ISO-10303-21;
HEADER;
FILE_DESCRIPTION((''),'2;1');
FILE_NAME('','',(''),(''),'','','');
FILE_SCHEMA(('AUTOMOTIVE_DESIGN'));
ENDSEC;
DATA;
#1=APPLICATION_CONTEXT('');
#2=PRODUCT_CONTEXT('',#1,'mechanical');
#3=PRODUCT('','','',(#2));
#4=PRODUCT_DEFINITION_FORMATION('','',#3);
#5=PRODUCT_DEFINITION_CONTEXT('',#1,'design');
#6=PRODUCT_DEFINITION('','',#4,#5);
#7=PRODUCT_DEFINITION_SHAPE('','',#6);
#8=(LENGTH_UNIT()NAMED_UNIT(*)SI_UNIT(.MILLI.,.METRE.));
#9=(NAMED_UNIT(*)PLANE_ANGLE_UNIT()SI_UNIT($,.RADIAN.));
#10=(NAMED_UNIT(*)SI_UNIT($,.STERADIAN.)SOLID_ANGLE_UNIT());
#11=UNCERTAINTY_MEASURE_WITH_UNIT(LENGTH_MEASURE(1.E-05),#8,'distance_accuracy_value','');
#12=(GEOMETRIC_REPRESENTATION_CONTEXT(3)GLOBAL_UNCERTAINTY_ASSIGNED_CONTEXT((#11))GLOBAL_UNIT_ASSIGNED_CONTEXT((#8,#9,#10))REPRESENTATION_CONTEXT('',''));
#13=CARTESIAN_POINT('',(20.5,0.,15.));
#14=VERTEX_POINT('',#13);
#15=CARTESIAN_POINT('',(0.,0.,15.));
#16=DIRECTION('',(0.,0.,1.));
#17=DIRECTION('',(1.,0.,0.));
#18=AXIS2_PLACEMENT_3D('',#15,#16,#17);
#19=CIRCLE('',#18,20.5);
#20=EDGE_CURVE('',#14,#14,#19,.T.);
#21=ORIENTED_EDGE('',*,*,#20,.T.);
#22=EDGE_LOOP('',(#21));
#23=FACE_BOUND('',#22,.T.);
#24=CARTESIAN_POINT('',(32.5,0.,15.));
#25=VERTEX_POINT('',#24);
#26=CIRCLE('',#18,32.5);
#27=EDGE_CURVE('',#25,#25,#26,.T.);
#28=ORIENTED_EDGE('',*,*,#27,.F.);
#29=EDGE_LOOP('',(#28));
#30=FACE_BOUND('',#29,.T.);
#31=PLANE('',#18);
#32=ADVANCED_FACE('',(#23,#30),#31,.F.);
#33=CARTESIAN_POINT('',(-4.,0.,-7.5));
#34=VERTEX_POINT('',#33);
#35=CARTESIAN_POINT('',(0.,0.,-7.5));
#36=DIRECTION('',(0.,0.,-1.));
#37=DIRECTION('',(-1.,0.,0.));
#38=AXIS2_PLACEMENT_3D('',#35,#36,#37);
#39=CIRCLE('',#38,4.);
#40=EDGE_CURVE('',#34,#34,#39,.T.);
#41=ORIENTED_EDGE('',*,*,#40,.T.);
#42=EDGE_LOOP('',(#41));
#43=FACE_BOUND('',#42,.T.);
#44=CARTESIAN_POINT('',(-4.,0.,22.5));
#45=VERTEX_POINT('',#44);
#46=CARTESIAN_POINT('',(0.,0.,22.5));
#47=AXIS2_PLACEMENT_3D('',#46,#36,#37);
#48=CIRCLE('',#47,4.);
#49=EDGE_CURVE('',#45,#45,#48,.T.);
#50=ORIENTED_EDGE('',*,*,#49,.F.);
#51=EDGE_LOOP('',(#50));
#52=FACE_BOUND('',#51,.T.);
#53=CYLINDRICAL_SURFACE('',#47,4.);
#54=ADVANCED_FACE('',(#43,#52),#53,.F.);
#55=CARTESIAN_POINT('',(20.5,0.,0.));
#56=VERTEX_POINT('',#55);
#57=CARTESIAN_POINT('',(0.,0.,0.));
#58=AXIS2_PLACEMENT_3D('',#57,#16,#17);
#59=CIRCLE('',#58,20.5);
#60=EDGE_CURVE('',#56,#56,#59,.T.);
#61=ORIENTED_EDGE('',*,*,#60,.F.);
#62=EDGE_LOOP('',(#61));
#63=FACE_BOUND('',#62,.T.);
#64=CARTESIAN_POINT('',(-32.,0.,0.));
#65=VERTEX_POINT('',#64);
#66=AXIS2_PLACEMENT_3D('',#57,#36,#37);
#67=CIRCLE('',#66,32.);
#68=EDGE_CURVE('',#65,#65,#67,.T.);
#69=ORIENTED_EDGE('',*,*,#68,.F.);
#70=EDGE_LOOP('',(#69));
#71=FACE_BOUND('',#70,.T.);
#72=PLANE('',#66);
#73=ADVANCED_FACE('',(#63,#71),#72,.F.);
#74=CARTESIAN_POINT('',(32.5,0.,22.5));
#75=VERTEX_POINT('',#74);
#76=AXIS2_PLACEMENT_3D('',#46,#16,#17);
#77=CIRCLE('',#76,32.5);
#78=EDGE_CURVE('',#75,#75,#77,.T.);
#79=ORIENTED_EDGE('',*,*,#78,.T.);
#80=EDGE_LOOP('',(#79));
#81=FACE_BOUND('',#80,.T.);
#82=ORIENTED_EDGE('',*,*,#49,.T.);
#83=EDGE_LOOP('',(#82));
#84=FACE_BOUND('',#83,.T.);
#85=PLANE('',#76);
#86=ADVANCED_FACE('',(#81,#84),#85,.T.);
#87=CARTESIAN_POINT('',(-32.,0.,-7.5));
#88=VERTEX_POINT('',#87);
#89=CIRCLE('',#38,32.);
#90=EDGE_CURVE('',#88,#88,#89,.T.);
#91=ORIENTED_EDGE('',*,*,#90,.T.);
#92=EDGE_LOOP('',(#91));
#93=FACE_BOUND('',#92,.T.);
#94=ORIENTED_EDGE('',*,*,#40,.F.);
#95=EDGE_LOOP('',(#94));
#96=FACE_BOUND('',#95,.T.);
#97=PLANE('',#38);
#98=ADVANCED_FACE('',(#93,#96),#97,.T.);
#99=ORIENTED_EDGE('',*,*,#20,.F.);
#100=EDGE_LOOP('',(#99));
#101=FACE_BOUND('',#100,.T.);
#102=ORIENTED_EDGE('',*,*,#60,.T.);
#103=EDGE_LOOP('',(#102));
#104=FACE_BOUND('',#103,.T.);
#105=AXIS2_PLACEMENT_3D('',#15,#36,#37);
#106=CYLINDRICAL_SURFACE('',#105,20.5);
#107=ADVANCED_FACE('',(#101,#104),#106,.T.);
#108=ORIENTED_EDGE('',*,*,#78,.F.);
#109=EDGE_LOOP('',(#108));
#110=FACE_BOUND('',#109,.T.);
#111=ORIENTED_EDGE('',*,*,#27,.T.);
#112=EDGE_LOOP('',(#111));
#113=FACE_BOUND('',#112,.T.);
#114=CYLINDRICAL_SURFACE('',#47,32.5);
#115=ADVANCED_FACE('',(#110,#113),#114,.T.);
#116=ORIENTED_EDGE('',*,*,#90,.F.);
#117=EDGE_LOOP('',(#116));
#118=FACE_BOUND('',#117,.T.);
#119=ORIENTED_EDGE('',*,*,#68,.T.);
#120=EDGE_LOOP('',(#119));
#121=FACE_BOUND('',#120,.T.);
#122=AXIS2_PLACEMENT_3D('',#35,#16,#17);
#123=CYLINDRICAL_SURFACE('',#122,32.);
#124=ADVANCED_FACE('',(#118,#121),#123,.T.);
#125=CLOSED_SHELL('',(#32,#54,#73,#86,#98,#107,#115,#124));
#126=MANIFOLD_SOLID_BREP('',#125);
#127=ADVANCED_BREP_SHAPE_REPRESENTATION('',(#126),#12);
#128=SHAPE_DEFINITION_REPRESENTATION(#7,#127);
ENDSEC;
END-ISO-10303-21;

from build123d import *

# Parameters (mm, degrees)
SKETCH1_R           = 20.5
BOSS_EXTRUDE1_DEPTH = 15
SKETCH2_R           = 32.5
BOSS_EXTRUDE2_DEPTH = 7.5
SKETCH3_R           = 32
BOSS_EXTRUDE3_DEPTH = 7.5
SKETCH4_R           = 4
CUT_EXTRUDE1_DEPTH  = 30


with BuildPart() as part:
    # Sketch1 → Boss-Extrude1 (new body)
    with BuildSketch(Plane.XY):
        Circle(SKETCH1_R)
    extrude(amount=BOSS_EXTRUDE1_DEPTH)

    # Sketch2 → Boss-Extrude2 (add)
    with BuildSketch(Plane.XY.offset(15)):
        Circle(SKETCH2_R)
    extrude(amount=BOSS_EXTRUDE2_DEPTH)

    # Sketch3 → Boss-Extrude3 (add)
    with BuildSketch(Plane(origin=(0, 0, 0), x_dir=(-1, 0, 0), z_dir=(0, 0, -1))):
        Circle(SKETCH3_R)
    extrude(amount=BOSS_EXTRUDE3_DEPTH)

    # Sketch4 → Cut-Extrude1 (cut)
    with BuildSketch(Plane(origin=(0, 0, -7.5), x_dir=(-1, 0, 0), z_dir=(0, 0, -1))):
        Circle(SKETCH4_R)
    extrude(amount=-CUT_EXTRUDE1_DEPTH, mode=Mode.SUBTRACT)


solid = part.part
